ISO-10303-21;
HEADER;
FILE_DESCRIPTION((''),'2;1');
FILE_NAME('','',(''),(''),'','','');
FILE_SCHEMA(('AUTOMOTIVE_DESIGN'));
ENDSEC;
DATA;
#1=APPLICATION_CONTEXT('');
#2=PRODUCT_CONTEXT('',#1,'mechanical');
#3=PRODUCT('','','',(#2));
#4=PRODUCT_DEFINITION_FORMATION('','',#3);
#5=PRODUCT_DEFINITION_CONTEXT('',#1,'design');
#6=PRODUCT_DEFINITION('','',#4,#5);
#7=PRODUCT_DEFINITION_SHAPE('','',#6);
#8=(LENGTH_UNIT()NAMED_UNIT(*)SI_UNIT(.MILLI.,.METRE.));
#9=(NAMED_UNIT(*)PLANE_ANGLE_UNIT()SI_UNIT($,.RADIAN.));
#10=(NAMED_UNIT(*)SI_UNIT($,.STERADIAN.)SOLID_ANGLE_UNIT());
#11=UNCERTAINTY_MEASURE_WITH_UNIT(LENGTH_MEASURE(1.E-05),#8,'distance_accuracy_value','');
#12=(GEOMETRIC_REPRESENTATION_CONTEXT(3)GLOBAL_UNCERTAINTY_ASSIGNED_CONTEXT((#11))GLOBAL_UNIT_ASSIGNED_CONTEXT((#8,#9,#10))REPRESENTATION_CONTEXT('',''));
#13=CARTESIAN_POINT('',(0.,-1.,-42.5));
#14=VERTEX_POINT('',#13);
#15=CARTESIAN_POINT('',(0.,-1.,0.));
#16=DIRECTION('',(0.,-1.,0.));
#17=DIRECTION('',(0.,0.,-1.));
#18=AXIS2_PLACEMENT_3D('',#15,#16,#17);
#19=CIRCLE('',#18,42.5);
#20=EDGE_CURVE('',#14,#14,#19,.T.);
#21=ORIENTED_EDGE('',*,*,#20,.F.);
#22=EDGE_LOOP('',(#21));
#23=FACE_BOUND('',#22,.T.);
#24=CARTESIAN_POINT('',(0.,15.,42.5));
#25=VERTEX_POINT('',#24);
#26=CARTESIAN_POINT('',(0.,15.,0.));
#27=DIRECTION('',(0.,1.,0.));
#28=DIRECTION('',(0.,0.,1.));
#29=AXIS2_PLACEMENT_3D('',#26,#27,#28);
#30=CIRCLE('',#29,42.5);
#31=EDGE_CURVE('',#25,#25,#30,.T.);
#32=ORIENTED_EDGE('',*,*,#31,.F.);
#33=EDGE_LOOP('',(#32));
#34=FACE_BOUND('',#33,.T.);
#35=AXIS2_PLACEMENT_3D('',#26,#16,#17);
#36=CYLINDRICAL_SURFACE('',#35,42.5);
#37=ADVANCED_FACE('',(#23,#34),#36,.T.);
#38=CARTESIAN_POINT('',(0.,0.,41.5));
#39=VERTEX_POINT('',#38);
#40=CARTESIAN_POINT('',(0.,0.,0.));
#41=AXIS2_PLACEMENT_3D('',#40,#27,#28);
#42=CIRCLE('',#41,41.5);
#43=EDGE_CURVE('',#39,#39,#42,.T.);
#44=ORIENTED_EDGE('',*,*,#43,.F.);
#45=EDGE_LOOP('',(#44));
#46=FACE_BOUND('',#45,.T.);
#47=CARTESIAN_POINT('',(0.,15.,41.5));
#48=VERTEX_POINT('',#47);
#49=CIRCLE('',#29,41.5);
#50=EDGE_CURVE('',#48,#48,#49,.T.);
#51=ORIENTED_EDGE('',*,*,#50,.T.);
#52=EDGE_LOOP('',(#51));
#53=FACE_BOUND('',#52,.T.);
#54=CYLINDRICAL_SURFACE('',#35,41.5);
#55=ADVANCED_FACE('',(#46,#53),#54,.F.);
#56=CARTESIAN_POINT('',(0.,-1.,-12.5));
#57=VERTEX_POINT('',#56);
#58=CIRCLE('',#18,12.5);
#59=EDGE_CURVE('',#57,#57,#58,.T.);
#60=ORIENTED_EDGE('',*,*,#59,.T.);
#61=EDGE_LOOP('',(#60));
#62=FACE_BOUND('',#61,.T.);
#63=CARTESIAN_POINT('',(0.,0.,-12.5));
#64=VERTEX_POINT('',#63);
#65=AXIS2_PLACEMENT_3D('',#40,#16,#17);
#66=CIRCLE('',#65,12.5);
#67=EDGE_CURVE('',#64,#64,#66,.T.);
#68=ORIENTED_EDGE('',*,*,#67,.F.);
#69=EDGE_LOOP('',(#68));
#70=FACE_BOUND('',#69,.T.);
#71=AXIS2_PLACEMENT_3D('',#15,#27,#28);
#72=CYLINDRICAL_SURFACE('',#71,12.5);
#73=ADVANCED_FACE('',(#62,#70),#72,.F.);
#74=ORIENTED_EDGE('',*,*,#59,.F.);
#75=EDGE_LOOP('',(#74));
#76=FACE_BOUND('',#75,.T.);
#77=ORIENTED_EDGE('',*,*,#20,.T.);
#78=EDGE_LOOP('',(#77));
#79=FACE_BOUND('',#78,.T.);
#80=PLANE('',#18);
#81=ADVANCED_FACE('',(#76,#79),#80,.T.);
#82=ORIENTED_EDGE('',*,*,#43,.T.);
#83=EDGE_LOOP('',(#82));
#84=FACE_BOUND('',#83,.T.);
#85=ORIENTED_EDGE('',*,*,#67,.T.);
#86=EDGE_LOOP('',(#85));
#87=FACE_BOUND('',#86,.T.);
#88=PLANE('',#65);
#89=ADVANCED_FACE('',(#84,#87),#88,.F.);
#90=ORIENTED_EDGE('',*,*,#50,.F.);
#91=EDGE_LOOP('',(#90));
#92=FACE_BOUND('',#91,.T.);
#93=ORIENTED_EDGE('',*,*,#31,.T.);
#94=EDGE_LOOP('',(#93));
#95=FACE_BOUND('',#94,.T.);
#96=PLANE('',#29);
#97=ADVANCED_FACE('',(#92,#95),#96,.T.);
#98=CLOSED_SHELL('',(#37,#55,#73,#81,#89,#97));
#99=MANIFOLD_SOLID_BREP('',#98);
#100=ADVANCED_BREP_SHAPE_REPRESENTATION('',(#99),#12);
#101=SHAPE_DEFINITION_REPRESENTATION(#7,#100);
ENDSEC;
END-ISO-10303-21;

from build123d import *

# Parameters (mm, degrees)
SKETCH1_R           = 42.5
SKETCH1_R_2         = 41.5
BOSS_EXTRUDE1_DEPTH = 15
BOSS_EXTRUDE2_START = 1
SKETCH2_R           = 42.5
SKETCH2_R_2         = 12.5
BOSS_EXTRUDE2_DEPTH = 1


with BuildPart() as part:
    # Sketch1 → Boss-Extrude1 (new body)
    with BuildSketch(Plane(origin=(0, 0, 0), x_dir=(1, 0, 0), z_dir=(0, 1, 0))):
        with Locations(Location((0, 0, 0), (0, 0, 270))):
            Circle(SKETCH1_R)
        with Locations(Location((0, 0, 0), (0, 0, 270))):
            Circle(SKETCH1_R_2, mode=Mode.SUBTRACT)
    extrude(amount=BOSS_EXTRUDE1_DEPTH)

    # Sketch2 → Boss-Extrude2 (add)
    with BuildSketch(Plane.XZ.offset(BOSS_EXTRUDE2_START)):
        with Locations(Location((0, 0, 0), (0, 0, 270))):
            Circle(SKETCH2_R)
        with Locations(Location((0, 0, 0), (0, 0, 270))):
            Circle(SKETCH2_R_2, mode=Mode.SUBTRACT)
    extrude(amount=-BOSS_EXTRUDE2_DEPTH)


solid = part.part
